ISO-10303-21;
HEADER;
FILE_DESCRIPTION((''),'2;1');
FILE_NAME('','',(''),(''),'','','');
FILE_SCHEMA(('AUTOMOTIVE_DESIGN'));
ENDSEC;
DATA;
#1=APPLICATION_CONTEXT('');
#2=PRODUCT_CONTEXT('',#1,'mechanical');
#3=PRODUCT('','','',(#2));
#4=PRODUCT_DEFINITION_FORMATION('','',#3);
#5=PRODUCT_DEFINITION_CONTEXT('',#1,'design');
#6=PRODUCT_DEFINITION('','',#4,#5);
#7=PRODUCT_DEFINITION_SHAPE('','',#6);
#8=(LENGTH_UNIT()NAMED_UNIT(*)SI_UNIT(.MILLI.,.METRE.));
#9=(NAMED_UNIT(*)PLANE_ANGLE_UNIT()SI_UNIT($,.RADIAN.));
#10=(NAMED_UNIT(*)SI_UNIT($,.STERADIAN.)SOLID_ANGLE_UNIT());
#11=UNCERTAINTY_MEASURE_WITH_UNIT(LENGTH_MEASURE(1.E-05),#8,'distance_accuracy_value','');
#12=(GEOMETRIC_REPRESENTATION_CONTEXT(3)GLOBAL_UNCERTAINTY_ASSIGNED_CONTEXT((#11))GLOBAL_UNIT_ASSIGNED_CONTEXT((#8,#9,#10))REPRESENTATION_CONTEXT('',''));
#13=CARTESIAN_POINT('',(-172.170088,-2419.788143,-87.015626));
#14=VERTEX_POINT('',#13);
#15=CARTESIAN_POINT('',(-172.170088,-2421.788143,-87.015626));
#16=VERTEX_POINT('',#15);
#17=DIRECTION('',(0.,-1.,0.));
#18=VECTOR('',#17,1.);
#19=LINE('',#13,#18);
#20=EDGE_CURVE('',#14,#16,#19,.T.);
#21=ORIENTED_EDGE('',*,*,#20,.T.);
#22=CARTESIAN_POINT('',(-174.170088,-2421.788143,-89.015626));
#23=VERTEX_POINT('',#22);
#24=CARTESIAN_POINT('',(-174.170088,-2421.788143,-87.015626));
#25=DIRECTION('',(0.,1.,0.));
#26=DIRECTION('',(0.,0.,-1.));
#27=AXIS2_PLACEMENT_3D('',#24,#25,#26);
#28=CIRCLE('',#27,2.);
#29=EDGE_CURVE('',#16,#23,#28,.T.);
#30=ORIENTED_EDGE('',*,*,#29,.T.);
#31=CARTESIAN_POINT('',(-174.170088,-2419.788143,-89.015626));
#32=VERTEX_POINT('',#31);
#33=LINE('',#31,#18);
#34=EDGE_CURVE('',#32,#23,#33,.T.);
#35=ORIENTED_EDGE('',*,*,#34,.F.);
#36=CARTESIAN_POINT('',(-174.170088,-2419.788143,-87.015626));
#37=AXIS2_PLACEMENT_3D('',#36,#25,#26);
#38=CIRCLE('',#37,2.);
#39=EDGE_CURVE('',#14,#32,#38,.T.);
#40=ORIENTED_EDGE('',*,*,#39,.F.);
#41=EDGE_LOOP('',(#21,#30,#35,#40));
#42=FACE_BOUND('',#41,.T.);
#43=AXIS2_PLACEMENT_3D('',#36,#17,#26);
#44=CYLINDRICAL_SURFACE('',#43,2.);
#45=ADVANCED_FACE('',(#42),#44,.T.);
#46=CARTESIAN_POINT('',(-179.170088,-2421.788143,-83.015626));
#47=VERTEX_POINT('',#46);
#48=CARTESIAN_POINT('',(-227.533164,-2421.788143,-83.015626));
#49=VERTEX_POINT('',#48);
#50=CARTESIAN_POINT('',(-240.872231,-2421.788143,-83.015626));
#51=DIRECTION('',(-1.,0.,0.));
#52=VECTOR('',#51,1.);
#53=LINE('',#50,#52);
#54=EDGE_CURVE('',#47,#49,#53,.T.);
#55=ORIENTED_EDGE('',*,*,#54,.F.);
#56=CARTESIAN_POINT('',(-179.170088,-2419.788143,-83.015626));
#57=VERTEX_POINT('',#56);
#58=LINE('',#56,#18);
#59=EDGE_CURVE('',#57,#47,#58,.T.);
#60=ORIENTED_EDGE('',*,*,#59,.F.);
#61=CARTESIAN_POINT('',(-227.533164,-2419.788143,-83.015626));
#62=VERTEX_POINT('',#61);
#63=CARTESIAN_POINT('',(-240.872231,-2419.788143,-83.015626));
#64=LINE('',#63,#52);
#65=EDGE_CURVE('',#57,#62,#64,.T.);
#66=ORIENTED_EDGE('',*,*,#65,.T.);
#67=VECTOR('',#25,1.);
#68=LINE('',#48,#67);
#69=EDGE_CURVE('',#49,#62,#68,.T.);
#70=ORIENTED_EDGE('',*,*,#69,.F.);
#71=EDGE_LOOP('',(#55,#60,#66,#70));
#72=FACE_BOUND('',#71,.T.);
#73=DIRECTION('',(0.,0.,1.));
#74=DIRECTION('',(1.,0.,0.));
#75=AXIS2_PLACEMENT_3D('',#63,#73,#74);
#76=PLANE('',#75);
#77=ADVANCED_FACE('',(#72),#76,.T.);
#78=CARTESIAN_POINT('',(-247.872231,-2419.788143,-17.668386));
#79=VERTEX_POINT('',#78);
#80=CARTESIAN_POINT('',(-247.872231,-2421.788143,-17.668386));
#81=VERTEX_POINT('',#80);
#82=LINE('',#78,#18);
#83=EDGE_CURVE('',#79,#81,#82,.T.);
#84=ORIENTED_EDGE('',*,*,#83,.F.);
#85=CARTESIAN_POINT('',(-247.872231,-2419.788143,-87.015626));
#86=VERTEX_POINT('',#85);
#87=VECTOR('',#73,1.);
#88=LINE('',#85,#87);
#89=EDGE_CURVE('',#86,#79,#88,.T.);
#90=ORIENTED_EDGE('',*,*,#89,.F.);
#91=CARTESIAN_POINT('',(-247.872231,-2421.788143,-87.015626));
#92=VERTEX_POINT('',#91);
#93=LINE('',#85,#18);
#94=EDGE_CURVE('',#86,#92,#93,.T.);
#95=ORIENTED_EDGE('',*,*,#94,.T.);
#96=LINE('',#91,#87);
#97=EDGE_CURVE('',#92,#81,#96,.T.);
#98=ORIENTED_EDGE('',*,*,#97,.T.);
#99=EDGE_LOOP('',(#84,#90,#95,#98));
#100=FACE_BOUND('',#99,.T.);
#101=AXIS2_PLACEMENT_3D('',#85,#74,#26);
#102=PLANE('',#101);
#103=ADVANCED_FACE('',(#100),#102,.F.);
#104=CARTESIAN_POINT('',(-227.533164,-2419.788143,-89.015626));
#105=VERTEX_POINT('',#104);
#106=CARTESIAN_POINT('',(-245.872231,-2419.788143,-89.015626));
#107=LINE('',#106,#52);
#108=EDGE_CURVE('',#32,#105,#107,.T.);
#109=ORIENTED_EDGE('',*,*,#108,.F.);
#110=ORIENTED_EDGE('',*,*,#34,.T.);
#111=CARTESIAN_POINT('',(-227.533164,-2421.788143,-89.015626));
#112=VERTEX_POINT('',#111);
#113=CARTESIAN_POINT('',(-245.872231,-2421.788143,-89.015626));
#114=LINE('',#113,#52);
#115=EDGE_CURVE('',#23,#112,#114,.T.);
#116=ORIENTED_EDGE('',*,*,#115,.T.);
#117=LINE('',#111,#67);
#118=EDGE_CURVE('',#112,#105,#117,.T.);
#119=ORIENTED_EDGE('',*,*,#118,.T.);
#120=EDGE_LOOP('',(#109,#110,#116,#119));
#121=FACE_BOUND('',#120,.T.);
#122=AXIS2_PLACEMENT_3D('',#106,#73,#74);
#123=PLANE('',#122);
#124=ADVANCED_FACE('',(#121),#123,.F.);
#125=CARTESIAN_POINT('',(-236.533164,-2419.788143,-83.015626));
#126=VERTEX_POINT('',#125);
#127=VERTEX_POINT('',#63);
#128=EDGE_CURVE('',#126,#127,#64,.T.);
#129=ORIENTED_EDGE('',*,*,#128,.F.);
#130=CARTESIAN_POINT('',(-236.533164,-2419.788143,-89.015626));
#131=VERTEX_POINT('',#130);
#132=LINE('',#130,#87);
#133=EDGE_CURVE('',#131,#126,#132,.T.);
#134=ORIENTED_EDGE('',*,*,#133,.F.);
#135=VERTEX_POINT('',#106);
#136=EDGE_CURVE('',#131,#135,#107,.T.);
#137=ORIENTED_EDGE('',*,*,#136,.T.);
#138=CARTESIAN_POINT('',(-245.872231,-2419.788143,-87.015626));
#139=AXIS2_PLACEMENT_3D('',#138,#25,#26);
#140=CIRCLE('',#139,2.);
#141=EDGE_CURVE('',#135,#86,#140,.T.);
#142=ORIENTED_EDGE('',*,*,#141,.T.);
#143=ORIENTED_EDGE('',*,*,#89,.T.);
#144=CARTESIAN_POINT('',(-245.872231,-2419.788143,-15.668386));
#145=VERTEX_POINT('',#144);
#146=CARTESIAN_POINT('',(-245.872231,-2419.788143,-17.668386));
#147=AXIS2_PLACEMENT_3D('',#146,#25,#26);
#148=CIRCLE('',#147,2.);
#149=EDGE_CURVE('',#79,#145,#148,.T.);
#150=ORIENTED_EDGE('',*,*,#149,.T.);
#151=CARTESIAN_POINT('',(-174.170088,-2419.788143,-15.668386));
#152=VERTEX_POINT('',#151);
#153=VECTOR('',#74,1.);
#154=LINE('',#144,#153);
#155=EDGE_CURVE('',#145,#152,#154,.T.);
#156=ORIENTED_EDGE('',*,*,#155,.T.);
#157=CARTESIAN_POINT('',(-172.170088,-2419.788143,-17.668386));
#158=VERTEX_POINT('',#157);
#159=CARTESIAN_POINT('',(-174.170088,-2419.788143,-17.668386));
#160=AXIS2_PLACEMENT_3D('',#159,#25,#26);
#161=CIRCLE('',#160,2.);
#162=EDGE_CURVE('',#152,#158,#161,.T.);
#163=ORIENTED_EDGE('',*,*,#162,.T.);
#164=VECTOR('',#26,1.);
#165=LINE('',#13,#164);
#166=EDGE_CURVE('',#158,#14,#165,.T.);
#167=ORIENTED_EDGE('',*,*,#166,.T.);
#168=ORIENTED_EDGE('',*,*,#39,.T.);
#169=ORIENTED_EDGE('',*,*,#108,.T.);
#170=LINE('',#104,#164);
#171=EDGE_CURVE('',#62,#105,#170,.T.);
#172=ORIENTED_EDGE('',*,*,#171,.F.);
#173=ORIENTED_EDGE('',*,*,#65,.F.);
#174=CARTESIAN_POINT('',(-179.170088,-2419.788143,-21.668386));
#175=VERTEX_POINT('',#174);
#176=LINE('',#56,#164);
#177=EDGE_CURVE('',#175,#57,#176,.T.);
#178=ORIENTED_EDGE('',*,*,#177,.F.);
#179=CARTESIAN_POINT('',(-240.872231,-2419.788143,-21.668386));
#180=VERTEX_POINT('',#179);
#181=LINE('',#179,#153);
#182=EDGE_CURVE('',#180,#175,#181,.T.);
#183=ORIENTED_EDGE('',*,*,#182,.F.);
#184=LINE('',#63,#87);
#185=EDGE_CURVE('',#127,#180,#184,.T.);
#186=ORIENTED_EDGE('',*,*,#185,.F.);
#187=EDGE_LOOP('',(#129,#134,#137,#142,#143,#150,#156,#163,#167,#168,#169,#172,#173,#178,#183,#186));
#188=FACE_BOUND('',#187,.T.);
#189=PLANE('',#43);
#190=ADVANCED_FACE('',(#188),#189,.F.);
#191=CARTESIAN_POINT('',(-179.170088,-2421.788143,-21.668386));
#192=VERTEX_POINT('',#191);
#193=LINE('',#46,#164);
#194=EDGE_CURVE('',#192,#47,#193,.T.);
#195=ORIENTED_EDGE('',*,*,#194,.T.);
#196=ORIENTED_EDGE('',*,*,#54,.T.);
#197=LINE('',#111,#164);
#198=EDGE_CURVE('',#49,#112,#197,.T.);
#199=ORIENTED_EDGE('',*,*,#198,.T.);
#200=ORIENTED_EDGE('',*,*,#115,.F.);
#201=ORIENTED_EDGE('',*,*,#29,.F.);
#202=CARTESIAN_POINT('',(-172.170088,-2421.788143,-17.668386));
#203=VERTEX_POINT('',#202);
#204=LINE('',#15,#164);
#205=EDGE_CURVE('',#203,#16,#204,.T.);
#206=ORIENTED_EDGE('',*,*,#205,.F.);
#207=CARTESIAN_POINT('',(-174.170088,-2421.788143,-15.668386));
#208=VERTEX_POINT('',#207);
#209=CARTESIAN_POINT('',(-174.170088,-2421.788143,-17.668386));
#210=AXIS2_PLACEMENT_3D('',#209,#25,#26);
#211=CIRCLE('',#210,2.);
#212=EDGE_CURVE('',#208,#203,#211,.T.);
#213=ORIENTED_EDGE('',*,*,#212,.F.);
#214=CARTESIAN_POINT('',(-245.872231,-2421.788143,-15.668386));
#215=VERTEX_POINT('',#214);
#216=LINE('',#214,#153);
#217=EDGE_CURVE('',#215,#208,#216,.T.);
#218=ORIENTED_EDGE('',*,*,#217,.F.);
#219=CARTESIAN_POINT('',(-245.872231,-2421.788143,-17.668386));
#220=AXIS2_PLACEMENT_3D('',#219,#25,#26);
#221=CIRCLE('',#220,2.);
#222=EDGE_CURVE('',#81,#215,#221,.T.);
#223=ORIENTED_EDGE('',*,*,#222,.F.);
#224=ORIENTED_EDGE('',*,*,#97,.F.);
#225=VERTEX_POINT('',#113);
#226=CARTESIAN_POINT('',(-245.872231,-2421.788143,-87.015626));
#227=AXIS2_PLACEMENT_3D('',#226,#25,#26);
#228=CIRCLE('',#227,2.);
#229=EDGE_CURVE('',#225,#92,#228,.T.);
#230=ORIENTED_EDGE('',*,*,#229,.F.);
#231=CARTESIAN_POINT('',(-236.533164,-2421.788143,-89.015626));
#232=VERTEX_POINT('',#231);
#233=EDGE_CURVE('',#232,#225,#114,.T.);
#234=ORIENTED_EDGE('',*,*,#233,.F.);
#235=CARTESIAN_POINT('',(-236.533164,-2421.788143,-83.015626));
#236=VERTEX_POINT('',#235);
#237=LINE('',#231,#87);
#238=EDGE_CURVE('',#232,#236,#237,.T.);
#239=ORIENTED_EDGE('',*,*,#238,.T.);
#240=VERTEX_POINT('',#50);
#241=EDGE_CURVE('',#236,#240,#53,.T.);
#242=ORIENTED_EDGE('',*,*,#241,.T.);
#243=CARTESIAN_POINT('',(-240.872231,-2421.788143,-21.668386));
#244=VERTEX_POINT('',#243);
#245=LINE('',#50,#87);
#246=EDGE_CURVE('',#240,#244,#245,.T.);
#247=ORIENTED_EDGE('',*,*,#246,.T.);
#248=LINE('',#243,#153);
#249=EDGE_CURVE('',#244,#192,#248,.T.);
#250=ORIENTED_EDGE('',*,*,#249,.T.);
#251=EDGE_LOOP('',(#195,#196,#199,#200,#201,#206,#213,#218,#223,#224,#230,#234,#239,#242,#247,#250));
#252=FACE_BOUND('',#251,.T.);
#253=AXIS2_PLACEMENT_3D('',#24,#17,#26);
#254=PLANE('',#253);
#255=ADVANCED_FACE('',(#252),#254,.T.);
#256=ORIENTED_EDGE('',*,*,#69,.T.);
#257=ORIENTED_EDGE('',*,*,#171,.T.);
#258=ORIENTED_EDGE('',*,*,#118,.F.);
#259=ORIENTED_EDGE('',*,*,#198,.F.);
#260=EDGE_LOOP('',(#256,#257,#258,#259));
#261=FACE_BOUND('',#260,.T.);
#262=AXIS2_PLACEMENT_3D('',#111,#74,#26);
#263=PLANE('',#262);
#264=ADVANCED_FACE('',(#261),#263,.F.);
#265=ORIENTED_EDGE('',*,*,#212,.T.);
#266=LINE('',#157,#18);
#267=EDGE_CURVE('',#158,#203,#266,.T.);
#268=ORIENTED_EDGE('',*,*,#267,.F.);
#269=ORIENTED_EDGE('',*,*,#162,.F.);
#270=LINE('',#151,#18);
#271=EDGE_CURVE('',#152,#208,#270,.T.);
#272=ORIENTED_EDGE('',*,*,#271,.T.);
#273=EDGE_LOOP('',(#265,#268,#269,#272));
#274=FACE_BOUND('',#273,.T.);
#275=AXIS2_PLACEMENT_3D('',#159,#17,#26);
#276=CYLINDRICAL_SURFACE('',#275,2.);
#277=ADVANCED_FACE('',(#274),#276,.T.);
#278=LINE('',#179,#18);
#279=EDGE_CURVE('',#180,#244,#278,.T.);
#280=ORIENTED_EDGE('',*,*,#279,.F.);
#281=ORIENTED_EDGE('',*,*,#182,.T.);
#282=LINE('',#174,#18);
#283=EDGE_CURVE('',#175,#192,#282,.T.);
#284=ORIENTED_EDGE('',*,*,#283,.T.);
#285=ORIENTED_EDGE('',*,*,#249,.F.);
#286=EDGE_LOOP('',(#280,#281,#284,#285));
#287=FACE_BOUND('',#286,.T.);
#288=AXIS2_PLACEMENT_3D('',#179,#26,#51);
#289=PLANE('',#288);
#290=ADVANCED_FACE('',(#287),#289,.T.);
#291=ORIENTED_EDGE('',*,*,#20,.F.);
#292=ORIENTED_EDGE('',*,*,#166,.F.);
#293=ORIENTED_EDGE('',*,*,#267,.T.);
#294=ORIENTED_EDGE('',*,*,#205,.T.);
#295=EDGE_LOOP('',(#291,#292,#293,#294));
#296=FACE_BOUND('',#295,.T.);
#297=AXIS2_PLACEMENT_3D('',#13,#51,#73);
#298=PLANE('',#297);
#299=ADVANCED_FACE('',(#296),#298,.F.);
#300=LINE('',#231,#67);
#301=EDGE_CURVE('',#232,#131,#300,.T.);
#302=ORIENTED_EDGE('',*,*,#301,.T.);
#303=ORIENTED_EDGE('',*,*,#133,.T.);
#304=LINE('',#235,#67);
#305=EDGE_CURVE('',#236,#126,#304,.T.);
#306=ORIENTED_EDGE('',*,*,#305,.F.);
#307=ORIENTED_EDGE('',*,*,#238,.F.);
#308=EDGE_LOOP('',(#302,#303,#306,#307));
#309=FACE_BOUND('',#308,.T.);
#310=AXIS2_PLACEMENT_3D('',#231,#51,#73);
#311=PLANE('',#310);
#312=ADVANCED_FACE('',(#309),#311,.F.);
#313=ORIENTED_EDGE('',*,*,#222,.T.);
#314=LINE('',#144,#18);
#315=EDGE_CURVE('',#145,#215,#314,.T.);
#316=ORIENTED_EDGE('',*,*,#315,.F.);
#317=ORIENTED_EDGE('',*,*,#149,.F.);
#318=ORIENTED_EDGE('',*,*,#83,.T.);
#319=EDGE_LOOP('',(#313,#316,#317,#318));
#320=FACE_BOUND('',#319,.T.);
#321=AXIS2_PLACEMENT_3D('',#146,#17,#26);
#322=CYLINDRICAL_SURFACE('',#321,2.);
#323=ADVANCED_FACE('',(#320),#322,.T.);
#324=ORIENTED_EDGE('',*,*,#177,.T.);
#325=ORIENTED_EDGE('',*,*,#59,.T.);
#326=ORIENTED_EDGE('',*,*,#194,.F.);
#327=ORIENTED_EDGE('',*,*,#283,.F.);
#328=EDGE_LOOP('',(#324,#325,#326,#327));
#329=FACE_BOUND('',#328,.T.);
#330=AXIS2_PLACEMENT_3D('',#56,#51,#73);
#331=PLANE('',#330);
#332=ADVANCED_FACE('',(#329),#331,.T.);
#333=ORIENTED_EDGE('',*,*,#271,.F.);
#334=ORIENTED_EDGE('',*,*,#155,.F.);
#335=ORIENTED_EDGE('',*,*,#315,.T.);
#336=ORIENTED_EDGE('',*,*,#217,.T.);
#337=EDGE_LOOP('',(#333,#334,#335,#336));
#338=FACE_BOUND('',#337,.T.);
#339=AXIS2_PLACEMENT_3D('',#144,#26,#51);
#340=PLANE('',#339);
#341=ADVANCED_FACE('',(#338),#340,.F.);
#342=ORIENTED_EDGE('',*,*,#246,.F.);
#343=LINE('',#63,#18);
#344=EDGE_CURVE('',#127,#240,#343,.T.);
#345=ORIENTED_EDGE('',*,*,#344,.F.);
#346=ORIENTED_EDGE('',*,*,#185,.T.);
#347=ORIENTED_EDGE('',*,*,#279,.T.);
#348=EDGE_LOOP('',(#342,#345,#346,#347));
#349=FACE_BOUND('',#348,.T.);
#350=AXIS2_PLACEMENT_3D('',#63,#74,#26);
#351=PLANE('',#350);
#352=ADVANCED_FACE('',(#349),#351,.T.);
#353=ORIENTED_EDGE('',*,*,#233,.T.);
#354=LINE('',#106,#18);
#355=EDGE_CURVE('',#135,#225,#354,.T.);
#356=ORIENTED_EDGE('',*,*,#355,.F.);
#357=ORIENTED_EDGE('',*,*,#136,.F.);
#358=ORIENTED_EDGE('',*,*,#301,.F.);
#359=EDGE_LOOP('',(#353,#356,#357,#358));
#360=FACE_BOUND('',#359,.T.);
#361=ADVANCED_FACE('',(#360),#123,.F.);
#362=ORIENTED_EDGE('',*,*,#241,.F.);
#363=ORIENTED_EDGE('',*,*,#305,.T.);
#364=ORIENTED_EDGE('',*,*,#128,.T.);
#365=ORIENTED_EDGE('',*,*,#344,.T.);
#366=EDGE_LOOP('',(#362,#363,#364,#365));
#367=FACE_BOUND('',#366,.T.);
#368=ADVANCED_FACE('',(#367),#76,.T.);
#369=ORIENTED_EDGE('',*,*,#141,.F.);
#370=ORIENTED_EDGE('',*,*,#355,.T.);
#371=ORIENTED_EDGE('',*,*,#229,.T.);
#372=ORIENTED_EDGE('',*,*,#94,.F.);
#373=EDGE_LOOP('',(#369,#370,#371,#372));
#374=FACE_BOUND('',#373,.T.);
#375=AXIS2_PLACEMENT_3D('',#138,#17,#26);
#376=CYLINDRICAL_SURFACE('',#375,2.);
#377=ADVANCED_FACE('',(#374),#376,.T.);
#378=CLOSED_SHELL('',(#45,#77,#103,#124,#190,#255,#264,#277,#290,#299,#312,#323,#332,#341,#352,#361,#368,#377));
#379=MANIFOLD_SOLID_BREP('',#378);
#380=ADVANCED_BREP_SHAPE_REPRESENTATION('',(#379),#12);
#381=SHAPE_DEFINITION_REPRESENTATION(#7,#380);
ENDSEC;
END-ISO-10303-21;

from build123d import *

# Parameters (mm, degrees)
SKETCH_1_W          = 61.702142611
SKETCH_1_H          = 61.347239899
EXTRUDE_1_DEPTH     = 2
SKETCH_2_W          = 9
SKETCH_2_H          = 6
CUT_EXTRUDE_1_DEPTH = 2


with BuildPart() as part:
    # 草图1 → 凸台-拉伸1 (new body)
    with BuildSketch(Plane(origin=(-129.641159043, -2421.788142989, -243.940490516), x_dir=(1, 0, 0), z_dir=(0, 1, 0))):
        with BuildLine():
            Line((-116.231072015, -154.924864972), (-44.528929404, -154.924864972))
            ThreePointArc((-44.528929404, -154.924864972), (-43.114715842, -155.510651409), (-42.528929404, -156.924864972))
            Line((-42.528929404, -156.924864972), (-42.528929404, -226.272104871))
            ThreePointArc((-42.528929404, -226.272104871), (-43.114715842, -227.686318433), (-44.528929404, -228.272104871))
            Line((-44.528929404, -228.272104871), (-116.231072015, -228.272104871))
            ThreePointArc((-116.231072015, -228.272104871), (-117.645285578, -227.686318433), (-118.231072015, -226.272104871))
            Line((-118.231072015, -226.272104871), (-118.231072015, -156.924864972))
            ThreePointArc((-118.231072015, -156.924864972), (-117.645285578, -155.510651409), (-116.231072015, -154.924864972))
        make_face()
        with Locations((-80.38000071, -191.598484922)):
            Rectangle(SKETCH_1_W, SKETCH_1_H, mode=Mode.SUBTRACT)
    extrude(amount=EXTRUDE_1_DEPTH)

    # 草图2 → 切除-拉伸1 (cut)
    with BuildSketch(Plane(origin=(0, -2419.788142989, 0), x_dir=(1, 0, 0), z_dir=(0, 1, 0))):
        with Locations((-232.033164197, 86.015625544)):
            Rectangle(SKETCH_2_W, SKETCH_2_H)
    extrude(amount=-CUT_EXTRUDE_1_DEPTH, mode=Mode.SUBTRACT)


solid = part.part
